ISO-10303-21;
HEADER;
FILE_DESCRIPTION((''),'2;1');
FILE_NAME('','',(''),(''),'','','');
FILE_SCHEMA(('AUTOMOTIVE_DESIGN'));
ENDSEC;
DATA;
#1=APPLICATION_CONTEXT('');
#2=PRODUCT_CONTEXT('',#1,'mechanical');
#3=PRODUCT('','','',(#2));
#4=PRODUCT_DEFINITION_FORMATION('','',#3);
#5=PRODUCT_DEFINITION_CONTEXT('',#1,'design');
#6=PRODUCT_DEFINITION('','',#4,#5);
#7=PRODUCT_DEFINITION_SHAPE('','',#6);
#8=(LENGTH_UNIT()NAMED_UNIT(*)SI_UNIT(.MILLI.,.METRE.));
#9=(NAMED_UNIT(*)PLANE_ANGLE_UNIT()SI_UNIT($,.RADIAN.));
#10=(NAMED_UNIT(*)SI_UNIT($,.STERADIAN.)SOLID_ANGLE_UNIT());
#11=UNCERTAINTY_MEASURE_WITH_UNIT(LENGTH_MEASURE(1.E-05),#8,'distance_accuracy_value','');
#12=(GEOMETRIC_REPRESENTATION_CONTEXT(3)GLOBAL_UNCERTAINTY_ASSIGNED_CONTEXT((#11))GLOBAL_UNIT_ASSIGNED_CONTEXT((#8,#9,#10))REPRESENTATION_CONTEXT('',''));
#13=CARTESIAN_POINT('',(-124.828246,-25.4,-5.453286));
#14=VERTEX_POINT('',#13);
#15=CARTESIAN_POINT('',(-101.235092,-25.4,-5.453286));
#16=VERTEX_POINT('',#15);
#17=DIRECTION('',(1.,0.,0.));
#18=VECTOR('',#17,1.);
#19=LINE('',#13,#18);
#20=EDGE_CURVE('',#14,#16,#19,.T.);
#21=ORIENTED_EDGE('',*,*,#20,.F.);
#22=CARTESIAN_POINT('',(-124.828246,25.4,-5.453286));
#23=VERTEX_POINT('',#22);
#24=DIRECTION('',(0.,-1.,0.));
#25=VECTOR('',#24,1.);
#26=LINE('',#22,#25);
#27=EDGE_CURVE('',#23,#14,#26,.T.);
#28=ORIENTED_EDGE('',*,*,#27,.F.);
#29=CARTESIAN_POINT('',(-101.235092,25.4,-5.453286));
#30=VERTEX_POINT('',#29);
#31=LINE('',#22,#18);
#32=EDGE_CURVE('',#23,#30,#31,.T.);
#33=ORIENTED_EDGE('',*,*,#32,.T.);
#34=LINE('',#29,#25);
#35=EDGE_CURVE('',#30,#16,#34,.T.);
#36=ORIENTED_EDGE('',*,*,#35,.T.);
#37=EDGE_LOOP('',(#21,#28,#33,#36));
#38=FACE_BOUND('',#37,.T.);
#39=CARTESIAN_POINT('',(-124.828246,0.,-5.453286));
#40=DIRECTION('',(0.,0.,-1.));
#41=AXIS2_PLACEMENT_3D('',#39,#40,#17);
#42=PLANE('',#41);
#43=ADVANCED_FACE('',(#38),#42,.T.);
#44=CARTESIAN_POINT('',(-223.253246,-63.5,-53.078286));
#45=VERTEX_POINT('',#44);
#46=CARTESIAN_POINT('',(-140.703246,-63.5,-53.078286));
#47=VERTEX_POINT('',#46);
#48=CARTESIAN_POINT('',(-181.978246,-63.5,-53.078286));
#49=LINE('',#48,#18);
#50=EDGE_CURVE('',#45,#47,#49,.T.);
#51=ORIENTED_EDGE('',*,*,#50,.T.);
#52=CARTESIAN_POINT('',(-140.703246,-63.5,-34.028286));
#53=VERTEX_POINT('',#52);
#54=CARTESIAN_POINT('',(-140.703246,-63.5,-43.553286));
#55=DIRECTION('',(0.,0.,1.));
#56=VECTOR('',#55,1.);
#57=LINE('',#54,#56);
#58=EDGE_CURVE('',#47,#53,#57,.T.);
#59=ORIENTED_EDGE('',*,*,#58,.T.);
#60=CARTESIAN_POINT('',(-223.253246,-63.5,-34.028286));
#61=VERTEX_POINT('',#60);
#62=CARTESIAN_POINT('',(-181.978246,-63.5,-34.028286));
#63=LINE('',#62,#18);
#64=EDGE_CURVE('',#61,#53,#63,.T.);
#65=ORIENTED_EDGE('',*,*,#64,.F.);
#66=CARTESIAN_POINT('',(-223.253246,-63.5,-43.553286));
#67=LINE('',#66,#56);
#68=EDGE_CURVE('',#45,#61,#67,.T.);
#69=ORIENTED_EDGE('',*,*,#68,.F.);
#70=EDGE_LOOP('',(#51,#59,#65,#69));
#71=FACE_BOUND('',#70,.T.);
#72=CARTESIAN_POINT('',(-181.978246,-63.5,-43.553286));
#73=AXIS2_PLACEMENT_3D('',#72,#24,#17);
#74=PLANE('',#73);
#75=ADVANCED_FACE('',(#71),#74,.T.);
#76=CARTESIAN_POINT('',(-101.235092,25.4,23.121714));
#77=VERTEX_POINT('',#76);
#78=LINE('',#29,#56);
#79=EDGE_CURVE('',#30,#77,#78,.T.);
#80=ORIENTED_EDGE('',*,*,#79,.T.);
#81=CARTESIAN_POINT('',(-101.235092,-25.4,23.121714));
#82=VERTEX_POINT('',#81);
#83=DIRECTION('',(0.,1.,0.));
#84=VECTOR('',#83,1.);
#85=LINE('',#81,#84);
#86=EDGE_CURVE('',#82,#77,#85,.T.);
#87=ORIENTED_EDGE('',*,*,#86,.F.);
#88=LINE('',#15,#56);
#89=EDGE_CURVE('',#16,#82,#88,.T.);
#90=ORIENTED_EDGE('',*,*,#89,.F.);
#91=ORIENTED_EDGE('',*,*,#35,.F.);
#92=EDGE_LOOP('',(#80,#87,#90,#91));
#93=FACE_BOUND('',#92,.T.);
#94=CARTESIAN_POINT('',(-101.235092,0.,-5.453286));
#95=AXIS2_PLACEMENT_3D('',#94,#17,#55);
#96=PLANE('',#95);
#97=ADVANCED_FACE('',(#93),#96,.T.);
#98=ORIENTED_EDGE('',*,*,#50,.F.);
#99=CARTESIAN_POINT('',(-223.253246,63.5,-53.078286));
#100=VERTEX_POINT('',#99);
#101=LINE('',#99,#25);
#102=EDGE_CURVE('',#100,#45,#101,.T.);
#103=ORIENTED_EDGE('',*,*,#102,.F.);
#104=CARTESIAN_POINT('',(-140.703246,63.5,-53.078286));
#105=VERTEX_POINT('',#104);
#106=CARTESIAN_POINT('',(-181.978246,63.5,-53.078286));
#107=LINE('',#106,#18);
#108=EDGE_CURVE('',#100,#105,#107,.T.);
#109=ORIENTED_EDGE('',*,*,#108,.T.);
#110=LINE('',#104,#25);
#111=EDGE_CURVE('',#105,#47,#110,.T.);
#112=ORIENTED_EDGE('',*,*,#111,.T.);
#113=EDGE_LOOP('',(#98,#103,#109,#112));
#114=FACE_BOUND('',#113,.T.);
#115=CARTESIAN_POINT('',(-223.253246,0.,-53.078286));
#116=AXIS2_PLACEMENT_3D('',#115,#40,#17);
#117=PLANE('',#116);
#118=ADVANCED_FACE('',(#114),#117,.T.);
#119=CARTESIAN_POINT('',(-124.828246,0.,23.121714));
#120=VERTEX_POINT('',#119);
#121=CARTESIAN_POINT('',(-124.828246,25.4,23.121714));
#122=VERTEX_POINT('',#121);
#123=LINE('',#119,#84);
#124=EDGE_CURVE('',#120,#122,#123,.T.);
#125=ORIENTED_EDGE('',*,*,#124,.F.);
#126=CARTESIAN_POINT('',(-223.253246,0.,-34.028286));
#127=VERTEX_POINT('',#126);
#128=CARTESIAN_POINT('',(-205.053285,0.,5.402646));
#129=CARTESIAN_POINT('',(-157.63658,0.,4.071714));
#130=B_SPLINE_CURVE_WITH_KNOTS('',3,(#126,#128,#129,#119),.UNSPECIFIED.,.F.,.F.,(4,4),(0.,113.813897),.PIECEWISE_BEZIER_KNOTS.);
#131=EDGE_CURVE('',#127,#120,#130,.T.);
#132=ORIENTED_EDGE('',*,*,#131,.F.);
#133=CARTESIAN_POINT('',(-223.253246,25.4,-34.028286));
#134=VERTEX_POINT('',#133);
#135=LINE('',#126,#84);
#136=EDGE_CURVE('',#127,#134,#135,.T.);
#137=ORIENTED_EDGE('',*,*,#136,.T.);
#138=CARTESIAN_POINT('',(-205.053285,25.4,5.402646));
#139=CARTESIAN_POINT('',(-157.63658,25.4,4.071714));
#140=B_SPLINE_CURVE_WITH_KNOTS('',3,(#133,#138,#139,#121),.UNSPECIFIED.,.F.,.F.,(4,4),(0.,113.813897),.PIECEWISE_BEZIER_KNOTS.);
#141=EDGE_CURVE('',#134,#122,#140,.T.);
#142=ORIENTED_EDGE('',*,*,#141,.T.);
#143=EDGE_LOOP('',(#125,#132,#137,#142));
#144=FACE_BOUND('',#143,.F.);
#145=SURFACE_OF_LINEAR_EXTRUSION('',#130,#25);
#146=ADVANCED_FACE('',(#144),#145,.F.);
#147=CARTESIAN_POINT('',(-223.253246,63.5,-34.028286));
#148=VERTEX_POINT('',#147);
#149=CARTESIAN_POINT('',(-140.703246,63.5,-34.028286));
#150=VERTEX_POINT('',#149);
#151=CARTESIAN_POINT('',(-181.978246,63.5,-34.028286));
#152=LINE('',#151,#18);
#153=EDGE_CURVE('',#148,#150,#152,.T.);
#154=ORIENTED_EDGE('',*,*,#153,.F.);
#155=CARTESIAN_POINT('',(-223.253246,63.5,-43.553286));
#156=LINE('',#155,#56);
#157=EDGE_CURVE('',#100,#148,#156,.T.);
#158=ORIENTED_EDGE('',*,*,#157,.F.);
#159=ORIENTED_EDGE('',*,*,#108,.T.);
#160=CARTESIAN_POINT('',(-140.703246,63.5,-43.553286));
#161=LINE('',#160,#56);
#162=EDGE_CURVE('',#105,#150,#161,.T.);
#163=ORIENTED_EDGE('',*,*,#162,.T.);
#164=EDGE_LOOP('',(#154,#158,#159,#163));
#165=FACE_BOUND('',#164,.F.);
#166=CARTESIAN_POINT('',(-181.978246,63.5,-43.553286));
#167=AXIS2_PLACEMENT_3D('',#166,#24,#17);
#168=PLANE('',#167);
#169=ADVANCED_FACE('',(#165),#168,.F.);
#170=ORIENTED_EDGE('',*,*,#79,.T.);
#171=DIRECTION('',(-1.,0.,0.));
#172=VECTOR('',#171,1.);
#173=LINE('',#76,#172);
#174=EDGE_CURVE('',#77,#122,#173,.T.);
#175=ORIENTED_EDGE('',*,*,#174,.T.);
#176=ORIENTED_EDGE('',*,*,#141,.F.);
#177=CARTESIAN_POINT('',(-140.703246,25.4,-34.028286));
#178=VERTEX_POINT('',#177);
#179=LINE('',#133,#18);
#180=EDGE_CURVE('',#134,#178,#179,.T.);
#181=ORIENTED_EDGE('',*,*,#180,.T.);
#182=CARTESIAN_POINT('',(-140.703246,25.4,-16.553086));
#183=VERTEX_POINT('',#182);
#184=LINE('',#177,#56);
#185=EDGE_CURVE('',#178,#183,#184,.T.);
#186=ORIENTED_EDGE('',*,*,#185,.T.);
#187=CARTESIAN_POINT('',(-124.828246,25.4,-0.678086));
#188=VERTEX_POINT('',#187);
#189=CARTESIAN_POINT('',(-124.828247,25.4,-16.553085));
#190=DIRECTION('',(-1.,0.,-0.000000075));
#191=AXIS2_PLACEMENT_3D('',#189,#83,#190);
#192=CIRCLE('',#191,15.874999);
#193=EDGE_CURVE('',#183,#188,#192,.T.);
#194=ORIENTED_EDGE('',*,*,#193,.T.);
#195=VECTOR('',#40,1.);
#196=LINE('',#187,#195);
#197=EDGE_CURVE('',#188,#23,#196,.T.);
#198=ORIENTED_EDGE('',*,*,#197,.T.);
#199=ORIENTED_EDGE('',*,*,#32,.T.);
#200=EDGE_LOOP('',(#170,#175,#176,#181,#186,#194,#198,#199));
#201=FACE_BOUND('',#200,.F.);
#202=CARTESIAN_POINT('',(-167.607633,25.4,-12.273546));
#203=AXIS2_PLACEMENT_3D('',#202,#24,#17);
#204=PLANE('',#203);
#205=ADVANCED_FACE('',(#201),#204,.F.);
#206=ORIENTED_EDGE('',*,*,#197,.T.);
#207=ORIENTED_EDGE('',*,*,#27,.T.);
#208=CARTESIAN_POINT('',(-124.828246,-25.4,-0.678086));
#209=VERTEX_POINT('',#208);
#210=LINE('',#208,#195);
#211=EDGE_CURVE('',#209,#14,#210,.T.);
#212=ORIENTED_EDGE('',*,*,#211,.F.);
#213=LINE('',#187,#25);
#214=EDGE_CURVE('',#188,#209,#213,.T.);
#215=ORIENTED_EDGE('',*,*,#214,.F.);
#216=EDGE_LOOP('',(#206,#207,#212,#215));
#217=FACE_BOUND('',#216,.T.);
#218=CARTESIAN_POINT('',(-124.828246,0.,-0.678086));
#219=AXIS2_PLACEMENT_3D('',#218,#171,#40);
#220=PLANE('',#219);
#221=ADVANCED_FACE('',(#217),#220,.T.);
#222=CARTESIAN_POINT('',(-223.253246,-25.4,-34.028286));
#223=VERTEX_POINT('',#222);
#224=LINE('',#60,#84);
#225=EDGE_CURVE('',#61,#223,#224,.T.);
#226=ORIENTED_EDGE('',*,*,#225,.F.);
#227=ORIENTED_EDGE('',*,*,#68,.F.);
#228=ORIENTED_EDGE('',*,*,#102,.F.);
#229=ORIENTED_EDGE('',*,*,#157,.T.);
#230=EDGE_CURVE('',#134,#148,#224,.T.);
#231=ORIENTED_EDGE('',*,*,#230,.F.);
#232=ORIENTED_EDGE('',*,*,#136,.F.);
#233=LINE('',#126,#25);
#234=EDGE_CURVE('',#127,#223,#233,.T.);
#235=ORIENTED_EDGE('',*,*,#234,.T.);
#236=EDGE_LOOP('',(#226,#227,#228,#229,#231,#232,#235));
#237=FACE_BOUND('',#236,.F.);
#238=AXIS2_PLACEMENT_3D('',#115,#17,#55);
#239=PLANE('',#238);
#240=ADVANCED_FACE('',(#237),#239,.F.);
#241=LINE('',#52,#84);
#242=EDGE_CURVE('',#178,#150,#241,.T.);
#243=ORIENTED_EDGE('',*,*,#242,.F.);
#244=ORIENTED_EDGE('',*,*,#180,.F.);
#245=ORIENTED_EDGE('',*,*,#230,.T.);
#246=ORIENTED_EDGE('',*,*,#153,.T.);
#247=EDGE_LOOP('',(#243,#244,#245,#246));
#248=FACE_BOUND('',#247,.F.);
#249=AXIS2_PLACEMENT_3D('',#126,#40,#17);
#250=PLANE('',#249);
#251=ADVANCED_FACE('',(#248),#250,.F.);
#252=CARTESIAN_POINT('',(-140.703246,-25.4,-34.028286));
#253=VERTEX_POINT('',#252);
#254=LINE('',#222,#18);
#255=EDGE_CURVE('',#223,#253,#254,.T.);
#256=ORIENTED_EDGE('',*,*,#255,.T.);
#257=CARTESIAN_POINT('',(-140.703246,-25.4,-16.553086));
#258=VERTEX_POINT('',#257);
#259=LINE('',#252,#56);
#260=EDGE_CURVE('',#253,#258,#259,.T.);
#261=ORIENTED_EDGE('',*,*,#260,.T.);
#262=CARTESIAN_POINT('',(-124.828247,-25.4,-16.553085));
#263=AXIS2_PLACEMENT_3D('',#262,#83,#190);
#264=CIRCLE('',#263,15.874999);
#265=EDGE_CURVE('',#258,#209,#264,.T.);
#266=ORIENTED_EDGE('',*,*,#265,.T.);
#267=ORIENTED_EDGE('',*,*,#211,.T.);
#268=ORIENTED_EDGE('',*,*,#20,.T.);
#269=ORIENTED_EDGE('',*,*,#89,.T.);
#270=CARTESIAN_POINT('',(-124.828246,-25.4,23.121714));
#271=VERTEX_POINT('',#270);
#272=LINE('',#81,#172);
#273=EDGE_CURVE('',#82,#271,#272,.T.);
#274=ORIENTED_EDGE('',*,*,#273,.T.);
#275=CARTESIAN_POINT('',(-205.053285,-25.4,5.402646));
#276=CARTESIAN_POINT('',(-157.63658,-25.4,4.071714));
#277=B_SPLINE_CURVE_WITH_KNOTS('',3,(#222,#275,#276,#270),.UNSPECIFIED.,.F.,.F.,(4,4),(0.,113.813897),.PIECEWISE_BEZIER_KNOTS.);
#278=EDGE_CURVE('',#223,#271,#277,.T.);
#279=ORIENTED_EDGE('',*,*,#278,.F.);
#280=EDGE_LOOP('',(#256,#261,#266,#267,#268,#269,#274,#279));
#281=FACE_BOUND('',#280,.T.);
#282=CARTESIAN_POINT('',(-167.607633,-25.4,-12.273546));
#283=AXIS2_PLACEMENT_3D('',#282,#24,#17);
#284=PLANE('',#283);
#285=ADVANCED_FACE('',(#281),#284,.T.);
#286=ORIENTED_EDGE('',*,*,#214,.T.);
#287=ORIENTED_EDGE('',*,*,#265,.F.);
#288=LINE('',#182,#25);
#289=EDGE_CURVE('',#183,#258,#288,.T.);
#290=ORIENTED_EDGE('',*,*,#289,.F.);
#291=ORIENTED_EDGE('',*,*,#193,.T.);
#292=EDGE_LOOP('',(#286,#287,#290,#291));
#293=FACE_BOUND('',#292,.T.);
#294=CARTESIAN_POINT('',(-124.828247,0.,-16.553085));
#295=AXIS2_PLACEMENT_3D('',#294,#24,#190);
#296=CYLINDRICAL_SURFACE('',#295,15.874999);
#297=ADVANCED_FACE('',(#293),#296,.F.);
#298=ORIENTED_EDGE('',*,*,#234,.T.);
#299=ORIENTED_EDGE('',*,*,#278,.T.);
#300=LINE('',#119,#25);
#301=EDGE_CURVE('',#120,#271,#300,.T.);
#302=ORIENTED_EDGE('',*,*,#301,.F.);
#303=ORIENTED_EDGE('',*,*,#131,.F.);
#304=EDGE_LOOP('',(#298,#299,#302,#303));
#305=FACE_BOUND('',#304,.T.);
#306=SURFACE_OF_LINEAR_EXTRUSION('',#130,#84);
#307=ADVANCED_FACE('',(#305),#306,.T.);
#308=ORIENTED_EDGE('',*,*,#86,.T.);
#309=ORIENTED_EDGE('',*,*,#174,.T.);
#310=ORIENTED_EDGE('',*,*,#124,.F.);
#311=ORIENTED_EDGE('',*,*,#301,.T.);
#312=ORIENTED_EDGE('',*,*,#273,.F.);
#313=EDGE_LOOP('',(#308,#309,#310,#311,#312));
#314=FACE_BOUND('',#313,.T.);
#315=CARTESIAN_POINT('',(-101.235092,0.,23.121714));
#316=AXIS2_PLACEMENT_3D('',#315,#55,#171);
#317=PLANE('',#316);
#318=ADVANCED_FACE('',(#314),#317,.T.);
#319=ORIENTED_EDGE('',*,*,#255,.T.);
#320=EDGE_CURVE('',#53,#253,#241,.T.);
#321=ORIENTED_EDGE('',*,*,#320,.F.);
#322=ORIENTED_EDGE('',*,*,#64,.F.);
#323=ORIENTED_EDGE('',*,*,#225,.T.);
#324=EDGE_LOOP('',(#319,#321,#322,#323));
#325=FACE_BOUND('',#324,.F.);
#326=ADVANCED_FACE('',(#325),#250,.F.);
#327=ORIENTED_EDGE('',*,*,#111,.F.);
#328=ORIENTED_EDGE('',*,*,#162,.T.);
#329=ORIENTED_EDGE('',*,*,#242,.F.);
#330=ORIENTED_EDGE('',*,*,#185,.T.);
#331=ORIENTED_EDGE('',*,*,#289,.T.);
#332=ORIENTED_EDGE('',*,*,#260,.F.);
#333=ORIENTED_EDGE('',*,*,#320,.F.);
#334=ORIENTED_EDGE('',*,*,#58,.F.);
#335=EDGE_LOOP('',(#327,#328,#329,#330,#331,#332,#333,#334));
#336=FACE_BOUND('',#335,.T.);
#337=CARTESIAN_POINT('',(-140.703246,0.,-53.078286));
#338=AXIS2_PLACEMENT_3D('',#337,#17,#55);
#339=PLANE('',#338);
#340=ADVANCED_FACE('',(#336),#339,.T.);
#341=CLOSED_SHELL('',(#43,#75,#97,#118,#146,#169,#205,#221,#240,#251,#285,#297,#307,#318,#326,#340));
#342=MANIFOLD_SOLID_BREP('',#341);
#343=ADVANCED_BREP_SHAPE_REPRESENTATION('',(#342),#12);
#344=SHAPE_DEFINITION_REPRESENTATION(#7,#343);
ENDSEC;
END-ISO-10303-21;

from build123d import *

# Parameters (mm, degrees)
F0_W     = 82.55
F0_H     = 19.05
F1_DEPTH = 63.5
F2_DEPTH = 25.4


with BuildPart() as f1:
    # F0 (on Front) → F1 (new body, symmetric)
    with BuildSketch(Plane.XZ):
        with Locations((-181.978246, -43.553286)):
            Rectangle(F0_W, F0_H)
    extrude(amount=F1_DEPTH, both=True)

    # F0 (on Front) → F2 (join, symmetric)
    with BuildSketch(Plane.XZ):
        with BuildLine():
            Line((-223.253246, -34.028286), (-140.703246, -34.028286))
            Line((-140.703246, -34.028286), (-140.703246, -16.553086))
            ThreePointArc((-140.703246, -16.553086), (-136.053567, -5.327766), (-124.828246, -0.678086))
            Line((-124.828246, -0.678086), (-124.828246, 18.371914))
            Line((-124.828246, 18.371914), (-124.828246, 23.121714))
            add(Edge.make_bspline(
                [(-223.253246, -34.028286), (-205.053285, 5.402646), (-157.63658, 4.071714), (-124.828246, 23.121714)],
                knots=[0, 0, 0, 0, 113.813897, 113.813897, 113.813897, 113.813897], degree=3))
        make_face()
        Polygon((-101.235092, 23.121714), (-124.828246, 23.121714), (-124.828246, 18.371914), (-124.828246, -0.678086), (-124.828246, -5.453286), (-101.235092, -5.453286), align=None)
    extrude(amount=F2_DEPTH, both=True)


solid = f1.part
